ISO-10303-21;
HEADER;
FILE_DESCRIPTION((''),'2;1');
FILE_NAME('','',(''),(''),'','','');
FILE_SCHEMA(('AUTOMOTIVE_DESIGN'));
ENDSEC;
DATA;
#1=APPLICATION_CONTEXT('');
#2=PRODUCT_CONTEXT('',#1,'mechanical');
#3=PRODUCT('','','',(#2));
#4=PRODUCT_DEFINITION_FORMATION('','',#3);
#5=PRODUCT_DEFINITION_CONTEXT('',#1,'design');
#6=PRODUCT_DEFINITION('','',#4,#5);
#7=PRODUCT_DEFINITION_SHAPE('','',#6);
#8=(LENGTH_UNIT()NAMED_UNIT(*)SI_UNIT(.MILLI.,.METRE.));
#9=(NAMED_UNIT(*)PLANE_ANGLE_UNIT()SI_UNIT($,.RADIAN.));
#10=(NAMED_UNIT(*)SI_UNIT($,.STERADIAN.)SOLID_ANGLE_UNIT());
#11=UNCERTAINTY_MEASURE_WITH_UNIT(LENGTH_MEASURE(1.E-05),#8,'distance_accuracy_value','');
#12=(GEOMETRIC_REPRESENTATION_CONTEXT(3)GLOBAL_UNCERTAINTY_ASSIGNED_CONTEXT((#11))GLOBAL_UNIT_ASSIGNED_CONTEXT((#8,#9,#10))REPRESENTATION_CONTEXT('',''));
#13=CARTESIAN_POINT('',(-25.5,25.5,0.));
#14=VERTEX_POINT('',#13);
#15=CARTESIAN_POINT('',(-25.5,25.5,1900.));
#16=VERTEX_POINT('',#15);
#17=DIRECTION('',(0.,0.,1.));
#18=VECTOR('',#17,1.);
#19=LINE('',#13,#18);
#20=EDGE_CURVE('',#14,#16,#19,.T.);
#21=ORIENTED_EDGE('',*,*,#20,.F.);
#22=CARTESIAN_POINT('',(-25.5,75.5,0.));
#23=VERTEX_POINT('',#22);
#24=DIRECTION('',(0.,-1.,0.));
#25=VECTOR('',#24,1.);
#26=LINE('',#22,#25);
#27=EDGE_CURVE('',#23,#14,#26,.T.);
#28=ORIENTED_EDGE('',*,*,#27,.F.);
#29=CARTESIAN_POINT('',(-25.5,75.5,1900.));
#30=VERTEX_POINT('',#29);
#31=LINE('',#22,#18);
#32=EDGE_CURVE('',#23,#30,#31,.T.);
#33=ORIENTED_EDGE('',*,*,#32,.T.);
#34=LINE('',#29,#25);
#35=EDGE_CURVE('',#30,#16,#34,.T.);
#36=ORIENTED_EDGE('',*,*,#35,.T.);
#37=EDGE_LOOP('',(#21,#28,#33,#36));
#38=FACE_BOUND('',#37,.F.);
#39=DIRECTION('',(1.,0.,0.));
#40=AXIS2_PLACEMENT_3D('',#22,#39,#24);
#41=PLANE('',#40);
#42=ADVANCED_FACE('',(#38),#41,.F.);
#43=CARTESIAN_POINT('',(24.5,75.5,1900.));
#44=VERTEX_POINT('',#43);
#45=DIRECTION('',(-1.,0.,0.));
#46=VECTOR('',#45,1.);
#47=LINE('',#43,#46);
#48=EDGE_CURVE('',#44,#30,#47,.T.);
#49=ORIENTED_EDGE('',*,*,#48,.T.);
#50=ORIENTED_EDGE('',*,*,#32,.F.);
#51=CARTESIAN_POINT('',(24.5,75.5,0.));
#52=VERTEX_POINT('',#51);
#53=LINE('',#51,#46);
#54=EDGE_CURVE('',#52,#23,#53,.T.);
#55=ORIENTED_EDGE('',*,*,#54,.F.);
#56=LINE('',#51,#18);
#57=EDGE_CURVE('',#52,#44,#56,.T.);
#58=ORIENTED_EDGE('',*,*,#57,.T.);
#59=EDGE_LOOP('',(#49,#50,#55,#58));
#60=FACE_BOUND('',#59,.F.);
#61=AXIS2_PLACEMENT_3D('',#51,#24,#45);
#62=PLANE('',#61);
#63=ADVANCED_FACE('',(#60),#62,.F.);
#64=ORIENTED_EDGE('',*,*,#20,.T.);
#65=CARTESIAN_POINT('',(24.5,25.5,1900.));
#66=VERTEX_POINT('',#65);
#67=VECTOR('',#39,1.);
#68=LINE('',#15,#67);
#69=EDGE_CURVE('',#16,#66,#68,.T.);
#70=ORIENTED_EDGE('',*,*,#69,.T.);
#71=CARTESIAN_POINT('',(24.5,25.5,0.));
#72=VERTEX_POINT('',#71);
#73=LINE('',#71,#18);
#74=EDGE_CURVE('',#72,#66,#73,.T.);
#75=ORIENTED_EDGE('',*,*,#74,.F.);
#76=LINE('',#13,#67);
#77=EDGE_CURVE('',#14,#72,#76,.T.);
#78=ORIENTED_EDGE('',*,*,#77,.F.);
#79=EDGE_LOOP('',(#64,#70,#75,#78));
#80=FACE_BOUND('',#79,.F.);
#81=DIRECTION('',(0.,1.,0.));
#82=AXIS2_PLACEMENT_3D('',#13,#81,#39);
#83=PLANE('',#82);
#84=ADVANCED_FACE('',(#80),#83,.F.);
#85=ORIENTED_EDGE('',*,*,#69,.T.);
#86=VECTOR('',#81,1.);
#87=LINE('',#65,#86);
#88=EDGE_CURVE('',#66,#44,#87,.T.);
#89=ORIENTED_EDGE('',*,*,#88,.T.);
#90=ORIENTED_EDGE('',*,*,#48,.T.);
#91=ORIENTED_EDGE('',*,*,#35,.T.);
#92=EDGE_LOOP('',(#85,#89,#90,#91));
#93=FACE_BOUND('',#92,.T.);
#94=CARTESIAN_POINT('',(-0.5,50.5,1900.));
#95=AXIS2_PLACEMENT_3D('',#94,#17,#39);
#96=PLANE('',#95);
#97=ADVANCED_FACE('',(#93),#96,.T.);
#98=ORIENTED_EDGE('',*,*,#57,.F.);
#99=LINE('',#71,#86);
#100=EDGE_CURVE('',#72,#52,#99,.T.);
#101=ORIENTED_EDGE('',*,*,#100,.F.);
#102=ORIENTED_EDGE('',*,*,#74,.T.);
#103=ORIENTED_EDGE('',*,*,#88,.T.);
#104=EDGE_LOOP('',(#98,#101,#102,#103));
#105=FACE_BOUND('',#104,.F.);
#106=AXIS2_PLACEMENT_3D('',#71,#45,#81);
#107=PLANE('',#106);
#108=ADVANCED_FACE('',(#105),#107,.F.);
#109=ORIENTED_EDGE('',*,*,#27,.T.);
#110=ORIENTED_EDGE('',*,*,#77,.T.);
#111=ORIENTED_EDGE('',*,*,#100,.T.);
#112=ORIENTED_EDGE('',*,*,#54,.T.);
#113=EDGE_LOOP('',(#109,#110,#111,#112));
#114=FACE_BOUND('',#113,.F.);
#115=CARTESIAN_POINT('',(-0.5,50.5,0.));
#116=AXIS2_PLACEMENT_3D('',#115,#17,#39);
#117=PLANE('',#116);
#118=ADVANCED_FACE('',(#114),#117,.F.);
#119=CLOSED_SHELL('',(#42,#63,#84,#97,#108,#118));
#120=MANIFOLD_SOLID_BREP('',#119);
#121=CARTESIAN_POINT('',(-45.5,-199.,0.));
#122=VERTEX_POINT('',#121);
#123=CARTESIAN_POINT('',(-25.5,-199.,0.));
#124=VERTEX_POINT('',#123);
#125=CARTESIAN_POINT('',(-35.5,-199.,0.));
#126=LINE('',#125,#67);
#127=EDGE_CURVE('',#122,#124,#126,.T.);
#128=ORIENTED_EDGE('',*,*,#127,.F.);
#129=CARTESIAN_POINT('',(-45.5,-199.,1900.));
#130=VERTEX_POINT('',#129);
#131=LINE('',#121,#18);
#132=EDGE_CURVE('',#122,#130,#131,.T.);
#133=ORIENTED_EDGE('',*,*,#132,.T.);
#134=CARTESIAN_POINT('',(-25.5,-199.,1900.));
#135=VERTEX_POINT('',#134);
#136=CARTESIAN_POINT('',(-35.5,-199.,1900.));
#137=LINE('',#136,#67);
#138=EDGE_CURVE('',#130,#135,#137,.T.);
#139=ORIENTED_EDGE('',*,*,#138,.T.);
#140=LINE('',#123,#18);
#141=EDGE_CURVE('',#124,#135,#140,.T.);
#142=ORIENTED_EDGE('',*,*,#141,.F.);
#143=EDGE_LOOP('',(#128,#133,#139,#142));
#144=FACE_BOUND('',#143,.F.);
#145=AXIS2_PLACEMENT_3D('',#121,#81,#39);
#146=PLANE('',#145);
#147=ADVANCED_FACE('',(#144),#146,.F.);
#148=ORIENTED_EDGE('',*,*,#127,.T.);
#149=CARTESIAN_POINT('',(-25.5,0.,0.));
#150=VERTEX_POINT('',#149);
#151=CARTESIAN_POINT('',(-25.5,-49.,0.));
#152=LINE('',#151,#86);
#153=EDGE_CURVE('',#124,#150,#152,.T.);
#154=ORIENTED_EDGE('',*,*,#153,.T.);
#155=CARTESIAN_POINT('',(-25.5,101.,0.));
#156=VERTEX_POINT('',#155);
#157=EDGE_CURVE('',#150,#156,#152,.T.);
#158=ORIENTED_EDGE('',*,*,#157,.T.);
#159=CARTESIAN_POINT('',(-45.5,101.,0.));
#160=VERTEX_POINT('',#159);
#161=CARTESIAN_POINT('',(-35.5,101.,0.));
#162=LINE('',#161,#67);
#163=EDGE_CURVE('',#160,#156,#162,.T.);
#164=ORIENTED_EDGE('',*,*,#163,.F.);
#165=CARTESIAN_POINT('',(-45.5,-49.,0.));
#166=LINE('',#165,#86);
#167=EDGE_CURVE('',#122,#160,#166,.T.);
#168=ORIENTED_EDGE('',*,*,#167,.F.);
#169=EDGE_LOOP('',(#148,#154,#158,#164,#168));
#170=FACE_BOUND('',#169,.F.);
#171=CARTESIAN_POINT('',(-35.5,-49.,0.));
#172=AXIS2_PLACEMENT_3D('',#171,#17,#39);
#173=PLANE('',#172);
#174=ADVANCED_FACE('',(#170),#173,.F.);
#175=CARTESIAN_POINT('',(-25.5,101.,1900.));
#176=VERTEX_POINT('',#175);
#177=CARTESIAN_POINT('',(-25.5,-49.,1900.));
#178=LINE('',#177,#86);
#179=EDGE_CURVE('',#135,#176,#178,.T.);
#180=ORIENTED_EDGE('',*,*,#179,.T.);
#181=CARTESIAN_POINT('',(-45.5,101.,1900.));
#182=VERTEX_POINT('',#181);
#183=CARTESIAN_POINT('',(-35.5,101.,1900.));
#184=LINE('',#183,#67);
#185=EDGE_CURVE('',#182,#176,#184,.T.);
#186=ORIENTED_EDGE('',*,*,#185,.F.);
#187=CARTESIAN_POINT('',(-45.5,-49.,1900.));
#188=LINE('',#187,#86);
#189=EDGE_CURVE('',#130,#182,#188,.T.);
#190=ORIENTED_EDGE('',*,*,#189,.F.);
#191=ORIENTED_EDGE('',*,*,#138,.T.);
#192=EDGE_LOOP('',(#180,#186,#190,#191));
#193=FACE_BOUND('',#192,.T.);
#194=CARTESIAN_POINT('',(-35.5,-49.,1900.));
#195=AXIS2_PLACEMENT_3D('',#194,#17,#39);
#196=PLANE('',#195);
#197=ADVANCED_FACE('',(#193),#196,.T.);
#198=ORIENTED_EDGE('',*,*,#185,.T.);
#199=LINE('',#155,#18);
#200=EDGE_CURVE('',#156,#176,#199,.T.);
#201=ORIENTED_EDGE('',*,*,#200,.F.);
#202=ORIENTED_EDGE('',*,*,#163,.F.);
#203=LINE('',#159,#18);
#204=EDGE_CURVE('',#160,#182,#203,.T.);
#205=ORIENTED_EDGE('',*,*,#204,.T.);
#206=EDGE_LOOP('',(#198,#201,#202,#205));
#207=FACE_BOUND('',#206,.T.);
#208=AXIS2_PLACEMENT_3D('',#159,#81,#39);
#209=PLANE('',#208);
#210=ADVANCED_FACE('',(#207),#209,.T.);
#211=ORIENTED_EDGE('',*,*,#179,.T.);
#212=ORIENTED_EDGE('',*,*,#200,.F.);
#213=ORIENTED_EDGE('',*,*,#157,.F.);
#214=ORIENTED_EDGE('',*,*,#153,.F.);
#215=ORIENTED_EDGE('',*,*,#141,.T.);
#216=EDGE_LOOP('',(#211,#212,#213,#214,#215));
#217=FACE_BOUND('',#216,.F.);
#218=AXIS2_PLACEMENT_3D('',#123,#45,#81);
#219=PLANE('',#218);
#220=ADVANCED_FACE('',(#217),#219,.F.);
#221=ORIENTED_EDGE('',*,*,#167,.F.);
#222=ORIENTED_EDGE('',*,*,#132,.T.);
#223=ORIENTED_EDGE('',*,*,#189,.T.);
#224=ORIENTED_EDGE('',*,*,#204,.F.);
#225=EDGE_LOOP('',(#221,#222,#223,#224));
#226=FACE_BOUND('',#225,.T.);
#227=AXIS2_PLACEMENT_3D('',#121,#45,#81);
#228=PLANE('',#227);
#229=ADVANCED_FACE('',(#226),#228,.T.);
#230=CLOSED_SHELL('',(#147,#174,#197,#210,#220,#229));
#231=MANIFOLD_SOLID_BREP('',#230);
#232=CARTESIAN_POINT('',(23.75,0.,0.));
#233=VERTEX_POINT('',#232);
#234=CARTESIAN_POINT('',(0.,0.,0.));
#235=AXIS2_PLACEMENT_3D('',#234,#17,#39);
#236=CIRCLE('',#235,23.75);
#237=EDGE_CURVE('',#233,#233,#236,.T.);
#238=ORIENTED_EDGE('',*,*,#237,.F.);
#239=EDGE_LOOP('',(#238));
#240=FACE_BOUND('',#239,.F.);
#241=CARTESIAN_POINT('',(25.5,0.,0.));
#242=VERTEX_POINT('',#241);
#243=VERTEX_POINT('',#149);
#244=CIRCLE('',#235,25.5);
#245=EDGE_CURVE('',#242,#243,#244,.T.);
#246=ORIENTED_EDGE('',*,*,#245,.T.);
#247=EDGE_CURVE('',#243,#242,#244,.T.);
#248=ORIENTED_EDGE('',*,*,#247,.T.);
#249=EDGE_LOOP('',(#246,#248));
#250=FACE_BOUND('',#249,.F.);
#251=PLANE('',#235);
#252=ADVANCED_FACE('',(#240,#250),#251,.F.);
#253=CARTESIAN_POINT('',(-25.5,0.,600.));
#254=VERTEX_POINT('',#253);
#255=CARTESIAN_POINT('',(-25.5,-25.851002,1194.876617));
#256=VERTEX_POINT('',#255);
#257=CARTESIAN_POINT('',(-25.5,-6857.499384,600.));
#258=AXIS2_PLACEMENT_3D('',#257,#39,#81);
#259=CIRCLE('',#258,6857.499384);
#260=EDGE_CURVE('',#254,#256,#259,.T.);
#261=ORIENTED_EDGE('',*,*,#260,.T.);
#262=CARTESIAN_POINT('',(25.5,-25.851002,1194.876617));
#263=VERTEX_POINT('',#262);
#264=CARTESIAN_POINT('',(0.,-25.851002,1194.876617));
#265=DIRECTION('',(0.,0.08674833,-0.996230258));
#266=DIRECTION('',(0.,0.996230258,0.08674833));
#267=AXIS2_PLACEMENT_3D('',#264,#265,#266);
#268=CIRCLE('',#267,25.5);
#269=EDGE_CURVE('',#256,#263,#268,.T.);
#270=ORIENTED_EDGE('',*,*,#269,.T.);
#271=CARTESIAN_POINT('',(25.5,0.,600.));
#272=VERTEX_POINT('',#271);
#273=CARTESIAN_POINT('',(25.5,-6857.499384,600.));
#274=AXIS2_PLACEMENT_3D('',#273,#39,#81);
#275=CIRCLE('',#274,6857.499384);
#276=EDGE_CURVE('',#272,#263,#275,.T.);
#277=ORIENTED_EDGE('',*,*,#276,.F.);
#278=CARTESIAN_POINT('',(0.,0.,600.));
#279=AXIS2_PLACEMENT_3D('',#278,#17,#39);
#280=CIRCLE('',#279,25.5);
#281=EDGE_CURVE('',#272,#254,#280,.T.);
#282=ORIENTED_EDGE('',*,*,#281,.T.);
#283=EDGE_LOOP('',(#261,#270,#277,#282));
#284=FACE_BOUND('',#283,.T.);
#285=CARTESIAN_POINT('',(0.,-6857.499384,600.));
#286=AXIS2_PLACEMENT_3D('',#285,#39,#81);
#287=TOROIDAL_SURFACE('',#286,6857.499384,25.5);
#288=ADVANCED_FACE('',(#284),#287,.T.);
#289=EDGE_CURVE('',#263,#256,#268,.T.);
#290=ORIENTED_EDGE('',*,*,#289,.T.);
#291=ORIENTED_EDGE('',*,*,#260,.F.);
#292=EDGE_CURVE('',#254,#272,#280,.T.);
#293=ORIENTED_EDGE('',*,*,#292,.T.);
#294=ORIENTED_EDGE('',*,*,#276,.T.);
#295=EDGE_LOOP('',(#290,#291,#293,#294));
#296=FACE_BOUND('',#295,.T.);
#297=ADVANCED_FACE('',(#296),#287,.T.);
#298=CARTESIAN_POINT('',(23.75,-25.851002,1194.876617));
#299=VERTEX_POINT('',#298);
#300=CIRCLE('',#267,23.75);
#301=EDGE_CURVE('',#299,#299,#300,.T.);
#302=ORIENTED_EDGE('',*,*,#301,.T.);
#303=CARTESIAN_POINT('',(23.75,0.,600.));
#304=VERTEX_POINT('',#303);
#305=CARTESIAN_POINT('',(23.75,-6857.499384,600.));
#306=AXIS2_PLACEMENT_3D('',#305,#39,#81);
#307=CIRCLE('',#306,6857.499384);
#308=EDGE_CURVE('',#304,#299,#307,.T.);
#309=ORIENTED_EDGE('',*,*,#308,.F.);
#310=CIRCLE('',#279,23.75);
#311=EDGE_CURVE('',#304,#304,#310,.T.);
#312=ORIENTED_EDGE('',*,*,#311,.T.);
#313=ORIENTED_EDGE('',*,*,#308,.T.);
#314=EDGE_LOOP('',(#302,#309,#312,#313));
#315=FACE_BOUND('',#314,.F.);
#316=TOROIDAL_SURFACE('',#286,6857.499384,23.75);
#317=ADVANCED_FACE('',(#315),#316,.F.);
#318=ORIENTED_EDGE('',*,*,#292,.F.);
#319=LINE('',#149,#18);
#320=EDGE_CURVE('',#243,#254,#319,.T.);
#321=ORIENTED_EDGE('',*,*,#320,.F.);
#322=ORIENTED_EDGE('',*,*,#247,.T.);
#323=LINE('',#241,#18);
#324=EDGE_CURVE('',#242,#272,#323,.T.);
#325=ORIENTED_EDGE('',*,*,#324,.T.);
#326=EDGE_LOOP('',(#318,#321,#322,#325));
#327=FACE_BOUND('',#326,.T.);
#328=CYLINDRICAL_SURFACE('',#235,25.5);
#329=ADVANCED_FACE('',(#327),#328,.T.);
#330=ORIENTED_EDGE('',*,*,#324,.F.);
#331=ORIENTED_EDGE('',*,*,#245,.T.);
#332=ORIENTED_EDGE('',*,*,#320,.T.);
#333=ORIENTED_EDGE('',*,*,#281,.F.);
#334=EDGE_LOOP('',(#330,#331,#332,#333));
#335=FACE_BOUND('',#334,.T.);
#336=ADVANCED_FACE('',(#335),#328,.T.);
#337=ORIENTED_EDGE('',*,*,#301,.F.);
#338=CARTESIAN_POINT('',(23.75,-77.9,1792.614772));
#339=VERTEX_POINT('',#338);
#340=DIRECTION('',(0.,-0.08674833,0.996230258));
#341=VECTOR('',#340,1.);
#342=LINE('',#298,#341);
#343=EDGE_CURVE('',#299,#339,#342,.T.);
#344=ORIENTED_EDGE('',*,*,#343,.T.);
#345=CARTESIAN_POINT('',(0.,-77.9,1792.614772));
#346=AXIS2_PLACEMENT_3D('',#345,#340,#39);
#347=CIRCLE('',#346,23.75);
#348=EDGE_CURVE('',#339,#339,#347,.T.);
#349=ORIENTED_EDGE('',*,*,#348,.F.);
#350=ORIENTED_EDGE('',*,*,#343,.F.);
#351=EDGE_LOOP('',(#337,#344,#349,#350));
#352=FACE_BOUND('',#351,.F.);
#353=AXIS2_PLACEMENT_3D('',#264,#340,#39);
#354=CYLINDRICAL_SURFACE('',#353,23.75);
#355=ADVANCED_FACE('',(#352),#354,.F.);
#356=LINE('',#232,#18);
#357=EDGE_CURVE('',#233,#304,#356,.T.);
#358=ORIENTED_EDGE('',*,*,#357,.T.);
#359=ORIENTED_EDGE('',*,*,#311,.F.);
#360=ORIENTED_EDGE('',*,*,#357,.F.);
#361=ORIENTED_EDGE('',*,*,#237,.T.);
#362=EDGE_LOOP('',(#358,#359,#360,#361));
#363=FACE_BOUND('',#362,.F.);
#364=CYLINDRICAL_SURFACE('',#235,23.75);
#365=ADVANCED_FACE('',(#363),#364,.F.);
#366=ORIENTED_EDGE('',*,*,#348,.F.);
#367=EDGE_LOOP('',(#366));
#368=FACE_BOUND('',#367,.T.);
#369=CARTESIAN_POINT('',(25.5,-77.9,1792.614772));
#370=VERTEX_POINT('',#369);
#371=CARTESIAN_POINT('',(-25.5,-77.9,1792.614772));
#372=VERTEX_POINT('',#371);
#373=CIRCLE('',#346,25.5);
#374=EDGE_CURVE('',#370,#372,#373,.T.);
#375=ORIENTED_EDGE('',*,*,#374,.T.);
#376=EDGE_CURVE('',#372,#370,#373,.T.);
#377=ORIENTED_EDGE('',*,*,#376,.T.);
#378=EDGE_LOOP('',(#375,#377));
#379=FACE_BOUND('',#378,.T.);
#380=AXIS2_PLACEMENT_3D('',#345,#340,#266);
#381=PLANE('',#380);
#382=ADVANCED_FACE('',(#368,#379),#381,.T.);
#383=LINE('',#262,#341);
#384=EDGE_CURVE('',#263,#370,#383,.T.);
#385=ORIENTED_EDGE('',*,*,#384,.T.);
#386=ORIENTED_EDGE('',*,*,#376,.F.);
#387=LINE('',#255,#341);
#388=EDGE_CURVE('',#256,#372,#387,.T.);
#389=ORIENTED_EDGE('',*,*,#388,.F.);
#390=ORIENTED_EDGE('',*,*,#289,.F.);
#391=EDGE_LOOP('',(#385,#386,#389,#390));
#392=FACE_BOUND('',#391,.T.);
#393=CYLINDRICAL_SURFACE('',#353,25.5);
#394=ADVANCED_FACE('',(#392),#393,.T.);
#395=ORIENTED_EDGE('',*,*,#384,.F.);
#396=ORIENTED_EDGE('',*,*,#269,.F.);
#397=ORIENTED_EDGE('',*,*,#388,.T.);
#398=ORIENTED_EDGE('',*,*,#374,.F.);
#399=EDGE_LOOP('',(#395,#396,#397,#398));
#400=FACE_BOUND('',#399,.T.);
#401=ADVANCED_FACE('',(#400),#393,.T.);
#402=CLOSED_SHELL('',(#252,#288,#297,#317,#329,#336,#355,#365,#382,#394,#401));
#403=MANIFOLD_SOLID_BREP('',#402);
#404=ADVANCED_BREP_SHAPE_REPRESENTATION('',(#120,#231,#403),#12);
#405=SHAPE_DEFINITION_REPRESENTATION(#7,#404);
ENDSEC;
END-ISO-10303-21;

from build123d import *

# Parameters (mm, degrees)
F0_R     = 25.5
F0_R_2   = 23.75
F3_W     = 20
F3_H     = 300
F4_DEPTH = 1900
F7_DEPTH = 1900


with BuildPart() as f2:
    # F2: sweep along a path in F1
    with BuildLine(Plane.YZ) as f2_path:
        Line((0, 0), (0, 600))
        ThreePointArc((0, 600), (-6.4657987929, 897.7190217698), (-25.8510022272, 1194.8766169368))
        Line((-25.8510022272, 1194.8766169368), (-77.9, 1792.6147718432))
    # F0 (on Top) → F2 (sweep)
    with BuildSketch(Plane.XY):
        Circle(F0_R)
        Circle(F0_R_2, mode=Mode.SUBTRACT)
    sweep(path=f2_path.line)

    # F3 (on Top) → F4 (join)
    with BuildSketch(Plane.XY):
        with Locations((-35.5, -49)):
            Rectangle(F3_W, F3_H)
    extrude(amount=F4_DEPTH)


with BuildPart() as f7:
    # F6 (on Top) → F7 (new body)
    with BuildSketch(Plane.XY):
        Polygon((-25.5, 25.5), (0, 25.5), (24.5, 25.5), (24.5, 75.5), (-25.5, 75.5), align=None)
    extrude(amount=F7_DEPTH)


solid = Compound([f2.part, f7.part])
